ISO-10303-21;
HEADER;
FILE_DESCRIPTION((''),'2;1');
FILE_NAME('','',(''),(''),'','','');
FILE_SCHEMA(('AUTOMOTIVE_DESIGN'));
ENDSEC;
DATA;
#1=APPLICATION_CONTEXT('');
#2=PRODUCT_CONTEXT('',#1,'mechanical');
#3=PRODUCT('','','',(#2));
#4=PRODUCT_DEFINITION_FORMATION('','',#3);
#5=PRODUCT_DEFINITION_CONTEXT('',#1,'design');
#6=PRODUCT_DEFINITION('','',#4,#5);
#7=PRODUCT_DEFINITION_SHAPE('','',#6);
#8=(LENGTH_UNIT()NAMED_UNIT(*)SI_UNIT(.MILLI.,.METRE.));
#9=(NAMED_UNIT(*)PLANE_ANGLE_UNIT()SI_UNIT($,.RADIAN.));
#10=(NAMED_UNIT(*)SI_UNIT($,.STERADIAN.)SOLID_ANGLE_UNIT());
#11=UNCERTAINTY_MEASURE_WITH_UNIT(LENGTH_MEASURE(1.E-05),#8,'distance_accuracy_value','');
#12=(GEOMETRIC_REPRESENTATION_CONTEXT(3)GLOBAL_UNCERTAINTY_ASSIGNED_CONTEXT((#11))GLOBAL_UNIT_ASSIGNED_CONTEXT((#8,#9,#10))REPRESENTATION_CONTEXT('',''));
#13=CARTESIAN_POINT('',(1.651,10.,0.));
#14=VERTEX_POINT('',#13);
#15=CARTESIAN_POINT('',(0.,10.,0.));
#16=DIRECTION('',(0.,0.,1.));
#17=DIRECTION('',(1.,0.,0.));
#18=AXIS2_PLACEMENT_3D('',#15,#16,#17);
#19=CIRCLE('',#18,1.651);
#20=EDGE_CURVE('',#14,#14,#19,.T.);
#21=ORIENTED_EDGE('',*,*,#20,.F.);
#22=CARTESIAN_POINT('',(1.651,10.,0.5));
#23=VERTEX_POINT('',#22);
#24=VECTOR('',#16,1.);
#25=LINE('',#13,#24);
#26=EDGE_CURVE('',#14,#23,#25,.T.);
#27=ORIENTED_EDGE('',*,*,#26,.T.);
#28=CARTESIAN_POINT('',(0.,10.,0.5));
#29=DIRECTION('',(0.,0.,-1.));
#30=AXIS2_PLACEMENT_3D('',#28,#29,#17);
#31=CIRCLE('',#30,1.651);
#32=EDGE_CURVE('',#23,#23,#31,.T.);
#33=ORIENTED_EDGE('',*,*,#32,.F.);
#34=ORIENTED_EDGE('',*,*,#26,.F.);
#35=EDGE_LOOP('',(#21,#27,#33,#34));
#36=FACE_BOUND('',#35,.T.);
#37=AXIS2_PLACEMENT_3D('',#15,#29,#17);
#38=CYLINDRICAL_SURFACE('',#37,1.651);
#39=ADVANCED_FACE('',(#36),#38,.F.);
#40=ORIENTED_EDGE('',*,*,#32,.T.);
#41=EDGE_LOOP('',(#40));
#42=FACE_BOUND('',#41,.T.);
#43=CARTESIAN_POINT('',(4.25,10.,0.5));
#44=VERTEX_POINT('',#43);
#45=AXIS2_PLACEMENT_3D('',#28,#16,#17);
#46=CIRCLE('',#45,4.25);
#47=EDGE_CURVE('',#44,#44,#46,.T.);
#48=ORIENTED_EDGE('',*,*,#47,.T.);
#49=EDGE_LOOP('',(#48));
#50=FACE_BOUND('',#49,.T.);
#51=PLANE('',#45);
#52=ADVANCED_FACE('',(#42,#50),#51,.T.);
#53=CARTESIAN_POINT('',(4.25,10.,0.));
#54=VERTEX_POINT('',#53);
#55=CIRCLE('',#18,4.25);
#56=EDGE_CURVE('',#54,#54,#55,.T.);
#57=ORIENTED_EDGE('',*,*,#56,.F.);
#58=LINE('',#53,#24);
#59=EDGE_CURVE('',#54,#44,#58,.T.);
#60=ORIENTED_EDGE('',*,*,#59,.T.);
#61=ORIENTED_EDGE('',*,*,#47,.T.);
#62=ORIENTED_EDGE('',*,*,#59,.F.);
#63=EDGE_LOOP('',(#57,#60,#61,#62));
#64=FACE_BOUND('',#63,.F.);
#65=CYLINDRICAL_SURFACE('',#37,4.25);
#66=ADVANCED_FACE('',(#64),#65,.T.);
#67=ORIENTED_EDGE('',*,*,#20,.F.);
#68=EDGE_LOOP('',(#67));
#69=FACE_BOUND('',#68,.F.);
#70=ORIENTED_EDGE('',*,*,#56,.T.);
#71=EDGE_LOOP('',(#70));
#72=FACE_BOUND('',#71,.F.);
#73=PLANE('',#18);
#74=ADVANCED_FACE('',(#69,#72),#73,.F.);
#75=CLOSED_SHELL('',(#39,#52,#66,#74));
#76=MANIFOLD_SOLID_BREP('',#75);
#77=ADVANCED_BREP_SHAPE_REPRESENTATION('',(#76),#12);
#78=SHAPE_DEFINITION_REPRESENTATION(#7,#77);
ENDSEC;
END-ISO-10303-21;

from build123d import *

# Parameters (mm, degrees)
CYLINDER030_R     = 1.651
CYLINDER030_DEPTH = 0.8
CYLINDER028_R     = 4.25
CYLINDER028_DEPTH = 0.5


with BuildPart() as washer_hole_cylinder:
    # Cylinder030 → Cylinder030 (new body)
    with BuildSketch(Plane(origin=(0, 10, 0), x_dir=(1, 0, 0), z_dir=(0, 0, 1))):
        Circle(CYLINDER030_R)
    extrude(amount=CYLINDER030_DEPTH)


with BuildPart() as f_6_32_washer:
    # Cylinder028 → Cylinder028 (new body)
    with BuildSketch(Plane(origin=(0, 10, 0), x_dir=(1, 0, 0), z_dir=(0, 0, 1))):
        Circle(CYLINDER028_R)
    extrude(amount=CYLINDER028_DEPTH)

    # Cut016: cut washer-hole-Cylinder
    add(washer_hole_cylinder.part, mode=Mode.SUBTRACT)


solid = f_6_32_washer.part
